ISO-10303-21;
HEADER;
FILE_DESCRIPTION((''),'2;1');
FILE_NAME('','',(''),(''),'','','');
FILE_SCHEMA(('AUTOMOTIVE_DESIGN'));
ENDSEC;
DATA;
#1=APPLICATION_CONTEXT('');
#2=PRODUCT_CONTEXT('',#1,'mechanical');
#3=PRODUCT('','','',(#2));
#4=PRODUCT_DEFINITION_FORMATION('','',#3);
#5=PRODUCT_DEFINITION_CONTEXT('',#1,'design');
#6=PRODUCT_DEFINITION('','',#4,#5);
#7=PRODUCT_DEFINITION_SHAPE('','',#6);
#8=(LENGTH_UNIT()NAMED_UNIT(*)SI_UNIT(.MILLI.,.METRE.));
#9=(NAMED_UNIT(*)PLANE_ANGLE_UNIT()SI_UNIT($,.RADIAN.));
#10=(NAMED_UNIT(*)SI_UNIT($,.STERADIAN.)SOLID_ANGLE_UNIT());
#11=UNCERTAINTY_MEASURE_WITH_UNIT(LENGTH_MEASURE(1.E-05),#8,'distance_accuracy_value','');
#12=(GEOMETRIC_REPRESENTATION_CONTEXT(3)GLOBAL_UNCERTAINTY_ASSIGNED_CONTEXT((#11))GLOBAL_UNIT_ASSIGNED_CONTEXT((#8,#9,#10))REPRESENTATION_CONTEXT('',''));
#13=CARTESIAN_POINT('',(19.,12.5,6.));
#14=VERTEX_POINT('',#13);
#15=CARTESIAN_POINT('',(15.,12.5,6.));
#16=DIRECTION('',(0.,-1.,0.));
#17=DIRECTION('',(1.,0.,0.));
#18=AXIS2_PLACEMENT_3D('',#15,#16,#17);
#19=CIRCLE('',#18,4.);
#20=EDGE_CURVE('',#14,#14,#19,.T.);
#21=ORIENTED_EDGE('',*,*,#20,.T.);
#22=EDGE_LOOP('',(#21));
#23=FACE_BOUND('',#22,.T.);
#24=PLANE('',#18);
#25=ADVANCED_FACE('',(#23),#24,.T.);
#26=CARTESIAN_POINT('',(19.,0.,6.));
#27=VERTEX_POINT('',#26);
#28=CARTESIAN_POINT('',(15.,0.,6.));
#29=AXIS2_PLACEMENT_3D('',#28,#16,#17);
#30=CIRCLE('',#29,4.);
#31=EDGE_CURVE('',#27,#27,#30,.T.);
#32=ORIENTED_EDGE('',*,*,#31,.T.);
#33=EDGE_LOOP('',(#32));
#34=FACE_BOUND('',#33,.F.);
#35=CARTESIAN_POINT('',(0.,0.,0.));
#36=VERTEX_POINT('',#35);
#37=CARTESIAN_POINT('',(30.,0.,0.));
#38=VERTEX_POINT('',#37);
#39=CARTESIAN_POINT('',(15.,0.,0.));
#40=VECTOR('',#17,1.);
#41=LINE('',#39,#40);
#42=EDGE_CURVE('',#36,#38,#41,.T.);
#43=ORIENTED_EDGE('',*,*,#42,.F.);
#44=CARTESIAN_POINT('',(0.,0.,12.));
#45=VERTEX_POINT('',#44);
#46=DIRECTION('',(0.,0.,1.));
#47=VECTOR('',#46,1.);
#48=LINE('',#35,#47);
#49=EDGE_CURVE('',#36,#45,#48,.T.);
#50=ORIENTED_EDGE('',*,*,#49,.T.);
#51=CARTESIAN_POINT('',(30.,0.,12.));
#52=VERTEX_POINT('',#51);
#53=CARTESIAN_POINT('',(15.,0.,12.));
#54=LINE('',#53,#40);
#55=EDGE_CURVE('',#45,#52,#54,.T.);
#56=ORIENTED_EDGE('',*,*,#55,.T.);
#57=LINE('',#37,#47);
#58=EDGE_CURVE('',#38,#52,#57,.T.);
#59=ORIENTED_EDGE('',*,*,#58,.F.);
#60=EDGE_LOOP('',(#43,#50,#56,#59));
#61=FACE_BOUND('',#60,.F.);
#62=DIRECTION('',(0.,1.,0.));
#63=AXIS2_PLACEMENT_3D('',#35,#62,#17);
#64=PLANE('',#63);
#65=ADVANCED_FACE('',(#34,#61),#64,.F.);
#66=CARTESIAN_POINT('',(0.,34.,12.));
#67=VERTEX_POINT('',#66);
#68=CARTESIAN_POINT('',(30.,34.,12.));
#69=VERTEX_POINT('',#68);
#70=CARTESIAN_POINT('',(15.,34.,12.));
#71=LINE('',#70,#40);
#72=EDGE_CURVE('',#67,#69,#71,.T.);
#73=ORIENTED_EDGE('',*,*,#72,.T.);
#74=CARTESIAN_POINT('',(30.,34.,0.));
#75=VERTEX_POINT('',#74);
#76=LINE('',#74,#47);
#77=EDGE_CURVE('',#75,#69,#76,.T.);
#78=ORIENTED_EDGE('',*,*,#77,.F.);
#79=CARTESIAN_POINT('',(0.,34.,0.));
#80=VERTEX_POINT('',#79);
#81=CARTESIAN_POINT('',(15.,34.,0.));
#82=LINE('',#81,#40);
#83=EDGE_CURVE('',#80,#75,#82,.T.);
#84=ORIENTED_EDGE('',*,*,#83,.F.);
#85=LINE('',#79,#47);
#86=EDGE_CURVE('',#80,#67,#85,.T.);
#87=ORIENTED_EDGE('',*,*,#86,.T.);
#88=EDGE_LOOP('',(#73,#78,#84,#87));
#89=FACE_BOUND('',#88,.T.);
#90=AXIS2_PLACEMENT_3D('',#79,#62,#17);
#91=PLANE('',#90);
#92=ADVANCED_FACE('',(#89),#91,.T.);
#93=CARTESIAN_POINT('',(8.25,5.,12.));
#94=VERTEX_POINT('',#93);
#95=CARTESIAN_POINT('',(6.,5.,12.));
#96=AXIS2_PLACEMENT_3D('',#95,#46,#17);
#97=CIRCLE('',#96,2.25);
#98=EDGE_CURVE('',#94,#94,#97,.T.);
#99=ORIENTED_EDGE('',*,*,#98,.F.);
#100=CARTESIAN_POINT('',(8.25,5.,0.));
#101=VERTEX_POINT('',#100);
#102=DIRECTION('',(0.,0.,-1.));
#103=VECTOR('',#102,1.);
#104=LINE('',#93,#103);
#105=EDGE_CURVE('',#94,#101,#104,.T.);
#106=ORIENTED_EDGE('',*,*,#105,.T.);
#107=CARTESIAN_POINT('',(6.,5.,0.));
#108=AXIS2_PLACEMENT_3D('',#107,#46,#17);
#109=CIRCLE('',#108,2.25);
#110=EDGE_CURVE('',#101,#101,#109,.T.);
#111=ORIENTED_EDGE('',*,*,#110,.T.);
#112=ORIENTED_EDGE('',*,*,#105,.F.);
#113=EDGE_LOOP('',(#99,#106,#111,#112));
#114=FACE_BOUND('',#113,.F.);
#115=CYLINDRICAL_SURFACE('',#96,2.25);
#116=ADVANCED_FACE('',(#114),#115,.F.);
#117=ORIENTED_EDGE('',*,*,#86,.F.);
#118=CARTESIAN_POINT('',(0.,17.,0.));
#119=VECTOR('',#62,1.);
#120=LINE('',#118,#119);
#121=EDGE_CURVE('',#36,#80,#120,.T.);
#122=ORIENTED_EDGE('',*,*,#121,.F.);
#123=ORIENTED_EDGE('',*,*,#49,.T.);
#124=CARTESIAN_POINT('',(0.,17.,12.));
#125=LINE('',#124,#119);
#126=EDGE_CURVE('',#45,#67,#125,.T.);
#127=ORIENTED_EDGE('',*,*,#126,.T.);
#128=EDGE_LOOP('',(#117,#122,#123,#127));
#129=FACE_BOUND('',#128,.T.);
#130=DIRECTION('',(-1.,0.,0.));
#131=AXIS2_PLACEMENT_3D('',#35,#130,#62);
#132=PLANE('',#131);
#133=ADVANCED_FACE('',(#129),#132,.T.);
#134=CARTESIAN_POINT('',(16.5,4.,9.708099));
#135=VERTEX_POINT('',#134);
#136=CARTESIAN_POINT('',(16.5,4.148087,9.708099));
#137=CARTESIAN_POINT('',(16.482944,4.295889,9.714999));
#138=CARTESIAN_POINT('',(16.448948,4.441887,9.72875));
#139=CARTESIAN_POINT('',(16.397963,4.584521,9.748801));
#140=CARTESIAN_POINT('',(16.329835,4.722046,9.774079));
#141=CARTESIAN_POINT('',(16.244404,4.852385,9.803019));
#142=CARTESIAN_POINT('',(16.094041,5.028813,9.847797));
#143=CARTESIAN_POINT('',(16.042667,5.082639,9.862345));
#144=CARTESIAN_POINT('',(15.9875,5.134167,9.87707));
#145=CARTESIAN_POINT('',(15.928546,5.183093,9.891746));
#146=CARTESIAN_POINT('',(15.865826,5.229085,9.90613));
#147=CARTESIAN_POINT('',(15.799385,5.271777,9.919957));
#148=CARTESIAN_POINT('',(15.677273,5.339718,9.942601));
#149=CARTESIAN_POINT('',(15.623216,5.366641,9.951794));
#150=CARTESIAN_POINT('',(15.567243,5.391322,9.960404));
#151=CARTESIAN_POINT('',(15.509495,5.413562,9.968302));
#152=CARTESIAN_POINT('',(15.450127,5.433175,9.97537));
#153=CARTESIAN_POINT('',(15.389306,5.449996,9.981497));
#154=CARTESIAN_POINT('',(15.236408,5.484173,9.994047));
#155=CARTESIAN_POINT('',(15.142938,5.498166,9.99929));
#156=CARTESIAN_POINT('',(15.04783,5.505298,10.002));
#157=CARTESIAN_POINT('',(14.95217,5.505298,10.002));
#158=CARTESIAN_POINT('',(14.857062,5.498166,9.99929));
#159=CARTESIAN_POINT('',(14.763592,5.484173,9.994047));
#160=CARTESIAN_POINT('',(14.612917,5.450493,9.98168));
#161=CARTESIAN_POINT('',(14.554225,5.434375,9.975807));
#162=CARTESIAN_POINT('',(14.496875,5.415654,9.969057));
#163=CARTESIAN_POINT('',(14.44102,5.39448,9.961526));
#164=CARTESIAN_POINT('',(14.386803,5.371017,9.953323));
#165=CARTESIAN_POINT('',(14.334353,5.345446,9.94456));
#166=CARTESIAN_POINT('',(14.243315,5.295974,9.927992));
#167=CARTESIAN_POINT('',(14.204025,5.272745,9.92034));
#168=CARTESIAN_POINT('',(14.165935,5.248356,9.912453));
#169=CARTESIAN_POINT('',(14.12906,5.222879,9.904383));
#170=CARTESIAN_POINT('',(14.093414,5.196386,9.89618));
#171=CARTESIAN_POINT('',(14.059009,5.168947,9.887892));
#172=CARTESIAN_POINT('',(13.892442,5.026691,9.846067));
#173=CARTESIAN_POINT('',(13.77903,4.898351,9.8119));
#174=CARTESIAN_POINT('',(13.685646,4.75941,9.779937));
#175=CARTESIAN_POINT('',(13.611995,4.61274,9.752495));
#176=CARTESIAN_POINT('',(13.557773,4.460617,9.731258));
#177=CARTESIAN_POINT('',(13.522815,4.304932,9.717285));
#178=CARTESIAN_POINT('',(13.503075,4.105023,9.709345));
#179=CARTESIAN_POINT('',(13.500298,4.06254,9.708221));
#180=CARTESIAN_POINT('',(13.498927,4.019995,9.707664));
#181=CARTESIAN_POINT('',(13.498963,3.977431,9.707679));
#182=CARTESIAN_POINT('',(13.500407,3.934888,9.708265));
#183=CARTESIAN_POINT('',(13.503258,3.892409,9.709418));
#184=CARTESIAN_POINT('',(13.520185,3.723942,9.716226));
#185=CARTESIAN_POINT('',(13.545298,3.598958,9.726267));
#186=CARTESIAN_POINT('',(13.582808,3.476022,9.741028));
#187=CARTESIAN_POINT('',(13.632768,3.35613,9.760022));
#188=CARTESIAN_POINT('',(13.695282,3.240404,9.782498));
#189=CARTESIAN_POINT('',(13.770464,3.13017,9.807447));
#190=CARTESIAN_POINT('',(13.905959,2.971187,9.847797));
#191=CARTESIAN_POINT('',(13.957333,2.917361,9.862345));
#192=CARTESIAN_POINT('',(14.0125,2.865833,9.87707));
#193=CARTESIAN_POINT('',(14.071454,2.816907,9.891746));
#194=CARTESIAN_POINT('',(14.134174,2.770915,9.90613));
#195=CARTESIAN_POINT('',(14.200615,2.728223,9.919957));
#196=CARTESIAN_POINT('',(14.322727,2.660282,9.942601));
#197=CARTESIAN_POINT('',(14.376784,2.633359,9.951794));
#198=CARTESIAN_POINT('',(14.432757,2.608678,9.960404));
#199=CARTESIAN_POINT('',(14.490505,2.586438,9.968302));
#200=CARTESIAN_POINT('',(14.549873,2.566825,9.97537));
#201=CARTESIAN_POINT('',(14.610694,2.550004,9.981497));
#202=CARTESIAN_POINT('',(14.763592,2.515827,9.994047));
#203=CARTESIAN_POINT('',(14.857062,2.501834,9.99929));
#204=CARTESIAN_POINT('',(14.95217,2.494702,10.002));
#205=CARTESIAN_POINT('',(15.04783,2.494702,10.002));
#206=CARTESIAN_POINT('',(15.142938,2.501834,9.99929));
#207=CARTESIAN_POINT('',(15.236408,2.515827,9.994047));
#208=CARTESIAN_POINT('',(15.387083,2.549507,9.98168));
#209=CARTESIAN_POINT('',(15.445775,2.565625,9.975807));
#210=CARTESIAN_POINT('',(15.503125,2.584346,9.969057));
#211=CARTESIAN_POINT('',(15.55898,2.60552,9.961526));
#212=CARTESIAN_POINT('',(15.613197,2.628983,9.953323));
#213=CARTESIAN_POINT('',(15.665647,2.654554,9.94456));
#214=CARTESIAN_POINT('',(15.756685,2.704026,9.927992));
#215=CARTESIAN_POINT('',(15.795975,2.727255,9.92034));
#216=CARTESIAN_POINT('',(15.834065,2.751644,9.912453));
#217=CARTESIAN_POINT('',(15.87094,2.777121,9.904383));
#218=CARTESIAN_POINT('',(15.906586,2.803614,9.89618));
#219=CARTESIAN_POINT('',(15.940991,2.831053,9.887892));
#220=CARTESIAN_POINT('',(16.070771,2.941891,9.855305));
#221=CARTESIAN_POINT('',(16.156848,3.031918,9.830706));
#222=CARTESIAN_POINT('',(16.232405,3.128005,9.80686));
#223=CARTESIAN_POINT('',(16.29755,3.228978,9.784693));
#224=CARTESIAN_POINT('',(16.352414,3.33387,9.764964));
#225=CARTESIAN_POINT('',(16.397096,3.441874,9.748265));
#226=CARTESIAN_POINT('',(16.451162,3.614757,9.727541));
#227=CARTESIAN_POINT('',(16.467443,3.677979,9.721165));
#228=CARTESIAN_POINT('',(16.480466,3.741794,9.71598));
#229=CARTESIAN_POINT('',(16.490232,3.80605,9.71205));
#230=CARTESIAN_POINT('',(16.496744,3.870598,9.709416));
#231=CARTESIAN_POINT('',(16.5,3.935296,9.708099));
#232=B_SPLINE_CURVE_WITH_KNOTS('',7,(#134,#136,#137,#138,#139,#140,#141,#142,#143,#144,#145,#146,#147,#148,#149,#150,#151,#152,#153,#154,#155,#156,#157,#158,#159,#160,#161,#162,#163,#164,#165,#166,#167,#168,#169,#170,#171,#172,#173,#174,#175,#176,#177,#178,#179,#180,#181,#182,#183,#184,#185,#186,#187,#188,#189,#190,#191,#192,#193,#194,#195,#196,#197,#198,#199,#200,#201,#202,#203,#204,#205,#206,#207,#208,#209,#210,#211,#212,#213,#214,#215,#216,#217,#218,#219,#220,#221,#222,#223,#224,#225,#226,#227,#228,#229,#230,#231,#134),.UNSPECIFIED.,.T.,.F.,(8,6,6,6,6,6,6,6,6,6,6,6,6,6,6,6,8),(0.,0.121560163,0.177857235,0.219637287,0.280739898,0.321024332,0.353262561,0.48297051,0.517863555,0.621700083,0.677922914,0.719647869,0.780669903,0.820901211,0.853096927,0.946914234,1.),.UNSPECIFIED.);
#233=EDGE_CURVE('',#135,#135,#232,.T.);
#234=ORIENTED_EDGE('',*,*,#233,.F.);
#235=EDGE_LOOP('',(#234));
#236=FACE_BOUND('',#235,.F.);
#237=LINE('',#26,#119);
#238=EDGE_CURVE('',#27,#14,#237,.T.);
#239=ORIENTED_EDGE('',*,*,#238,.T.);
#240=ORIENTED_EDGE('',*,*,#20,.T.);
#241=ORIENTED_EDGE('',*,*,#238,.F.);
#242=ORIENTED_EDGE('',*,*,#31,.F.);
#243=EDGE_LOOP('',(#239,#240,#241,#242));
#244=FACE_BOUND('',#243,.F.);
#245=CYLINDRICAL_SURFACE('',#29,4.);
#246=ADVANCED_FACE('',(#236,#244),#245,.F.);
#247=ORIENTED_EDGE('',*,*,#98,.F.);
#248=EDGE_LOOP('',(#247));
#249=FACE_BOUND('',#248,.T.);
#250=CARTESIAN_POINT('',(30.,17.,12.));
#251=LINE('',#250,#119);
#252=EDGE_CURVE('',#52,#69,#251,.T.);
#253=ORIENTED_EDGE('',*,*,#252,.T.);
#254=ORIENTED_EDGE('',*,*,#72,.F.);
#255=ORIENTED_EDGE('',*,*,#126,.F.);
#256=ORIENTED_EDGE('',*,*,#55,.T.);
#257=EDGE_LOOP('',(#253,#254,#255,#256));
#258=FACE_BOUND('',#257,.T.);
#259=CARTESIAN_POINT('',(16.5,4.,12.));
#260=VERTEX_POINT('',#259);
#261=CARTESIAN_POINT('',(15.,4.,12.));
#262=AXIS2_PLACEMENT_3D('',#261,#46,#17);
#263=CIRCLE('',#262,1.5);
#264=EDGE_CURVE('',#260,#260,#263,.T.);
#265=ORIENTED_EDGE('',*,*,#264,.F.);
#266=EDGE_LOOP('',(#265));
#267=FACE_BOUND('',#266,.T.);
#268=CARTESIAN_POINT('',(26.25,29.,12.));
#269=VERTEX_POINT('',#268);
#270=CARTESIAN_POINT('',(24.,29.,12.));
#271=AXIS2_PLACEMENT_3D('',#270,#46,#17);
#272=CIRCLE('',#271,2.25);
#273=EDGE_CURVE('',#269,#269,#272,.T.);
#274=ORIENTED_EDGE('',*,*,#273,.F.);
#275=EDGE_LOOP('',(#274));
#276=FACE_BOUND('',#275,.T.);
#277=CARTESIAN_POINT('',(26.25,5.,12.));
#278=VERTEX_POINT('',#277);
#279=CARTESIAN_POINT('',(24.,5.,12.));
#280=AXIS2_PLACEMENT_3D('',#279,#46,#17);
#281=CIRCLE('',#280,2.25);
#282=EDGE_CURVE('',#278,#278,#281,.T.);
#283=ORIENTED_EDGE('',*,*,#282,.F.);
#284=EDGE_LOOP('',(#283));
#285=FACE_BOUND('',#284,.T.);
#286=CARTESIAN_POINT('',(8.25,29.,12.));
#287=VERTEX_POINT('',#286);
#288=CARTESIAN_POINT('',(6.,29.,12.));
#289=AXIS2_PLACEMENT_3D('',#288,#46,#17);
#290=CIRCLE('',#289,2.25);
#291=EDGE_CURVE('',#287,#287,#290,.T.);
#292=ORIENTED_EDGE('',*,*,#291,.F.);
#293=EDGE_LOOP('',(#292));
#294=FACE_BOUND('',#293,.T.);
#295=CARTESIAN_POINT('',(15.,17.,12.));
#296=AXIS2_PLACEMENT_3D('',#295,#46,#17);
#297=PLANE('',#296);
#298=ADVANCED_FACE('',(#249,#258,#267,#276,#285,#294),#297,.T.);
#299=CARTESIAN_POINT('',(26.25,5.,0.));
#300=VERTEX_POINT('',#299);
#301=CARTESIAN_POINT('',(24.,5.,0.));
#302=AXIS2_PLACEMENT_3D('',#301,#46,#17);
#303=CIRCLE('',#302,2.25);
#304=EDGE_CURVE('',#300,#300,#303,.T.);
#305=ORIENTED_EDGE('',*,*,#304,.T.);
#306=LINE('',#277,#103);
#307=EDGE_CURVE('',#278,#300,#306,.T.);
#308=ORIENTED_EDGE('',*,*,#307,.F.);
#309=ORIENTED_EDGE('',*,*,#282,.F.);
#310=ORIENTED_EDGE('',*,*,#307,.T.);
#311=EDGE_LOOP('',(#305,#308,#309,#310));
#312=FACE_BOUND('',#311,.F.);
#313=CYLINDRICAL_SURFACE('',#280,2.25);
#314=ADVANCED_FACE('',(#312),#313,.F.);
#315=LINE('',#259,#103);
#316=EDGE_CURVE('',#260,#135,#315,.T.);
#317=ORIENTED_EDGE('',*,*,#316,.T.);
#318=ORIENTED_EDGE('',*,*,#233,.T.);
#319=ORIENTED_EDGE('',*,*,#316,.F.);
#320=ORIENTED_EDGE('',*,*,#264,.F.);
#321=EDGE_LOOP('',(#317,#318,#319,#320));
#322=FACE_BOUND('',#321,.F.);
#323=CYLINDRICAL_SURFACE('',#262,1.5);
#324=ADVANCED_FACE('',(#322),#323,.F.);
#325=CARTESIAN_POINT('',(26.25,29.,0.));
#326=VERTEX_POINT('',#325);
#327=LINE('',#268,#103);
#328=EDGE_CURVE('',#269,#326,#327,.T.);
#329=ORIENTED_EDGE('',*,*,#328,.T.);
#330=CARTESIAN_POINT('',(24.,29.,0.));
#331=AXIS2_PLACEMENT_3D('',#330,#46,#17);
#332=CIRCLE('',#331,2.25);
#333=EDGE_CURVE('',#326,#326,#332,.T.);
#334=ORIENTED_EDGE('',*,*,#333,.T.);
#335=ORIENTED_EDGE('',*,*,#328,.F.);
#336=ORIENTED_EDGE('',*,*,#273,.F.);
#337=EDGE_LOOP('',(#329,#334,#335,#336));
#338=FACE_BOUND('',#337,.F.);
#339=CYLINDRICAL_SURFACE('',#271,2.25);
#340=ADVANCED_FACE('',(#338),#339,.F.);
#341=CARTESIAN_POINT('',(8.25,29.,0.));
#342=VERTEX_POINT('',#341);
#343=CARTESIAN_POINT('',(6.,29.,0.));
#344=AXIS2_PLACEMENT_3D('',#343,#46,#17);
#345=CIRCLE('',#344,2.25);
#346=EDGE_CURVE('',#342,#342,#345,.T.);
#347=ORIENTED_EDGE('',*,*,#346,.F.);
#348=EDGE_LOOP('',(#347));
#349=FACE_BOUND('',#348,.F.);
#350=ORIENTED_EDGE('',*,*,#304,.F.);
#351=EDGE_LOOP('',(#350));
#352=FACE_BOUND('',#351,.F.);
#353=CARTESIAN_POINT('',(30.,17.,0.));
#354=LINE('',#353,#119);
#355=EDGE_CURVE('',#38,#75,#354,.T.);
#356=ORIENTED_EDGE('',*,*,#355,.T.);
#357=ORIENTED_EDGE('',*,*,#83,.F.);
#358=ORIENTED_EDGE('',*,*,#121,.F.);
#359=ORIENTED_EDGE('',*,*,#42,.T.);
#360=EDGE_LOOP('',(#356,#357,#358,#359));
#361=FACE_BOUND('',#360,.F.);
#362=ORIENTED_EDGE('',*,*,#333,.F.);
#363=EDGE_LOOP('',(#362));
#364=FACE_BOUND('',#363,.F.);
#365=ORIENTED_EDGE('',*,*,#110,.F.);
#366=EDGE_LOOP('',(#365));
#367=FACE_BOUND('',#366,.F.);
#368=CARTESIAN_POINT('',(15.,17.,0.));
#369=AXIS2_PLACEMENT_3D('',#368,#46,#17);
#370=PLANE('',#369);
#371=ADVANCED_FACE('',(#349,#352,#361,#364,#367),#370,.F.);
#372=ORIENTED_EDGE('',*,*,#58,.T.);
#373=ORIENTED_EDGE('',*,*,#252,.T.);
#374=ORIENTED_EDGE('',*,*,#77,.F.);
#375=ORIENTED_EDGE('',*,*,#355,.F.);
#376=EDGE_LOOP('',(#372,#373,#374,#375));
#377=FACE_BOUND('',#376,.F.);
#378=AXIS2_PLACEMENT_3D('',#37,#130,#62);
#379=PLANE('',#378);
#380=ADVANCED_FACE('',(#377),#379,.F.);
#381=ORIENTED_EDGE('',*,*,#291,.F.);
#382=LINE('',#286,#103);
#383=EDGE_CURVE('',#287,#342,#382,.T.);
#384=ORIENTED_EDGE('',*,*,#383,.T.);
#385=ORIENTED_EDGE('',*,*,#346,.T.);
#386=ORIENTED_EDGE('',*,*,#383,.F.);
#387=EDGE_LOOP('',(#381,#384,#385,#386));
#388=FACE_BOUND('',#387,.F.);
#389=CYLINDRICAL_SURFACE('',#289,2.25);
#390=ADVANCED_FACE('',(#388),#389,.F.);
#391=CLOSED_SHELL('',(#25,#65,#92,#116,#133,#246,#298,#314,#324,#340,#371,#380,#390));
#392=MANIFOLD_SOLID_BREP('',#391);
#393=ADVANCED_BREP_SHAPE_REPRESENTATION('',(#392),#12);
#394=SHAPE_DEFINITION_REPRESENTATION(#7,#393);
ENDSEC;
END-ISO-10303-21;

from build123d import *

# Parameters (mm, degrees)
F0_W     = 30
F0_H     = 34
F1_DEPTH = 12
F2_R     = 2.25
F3_DEPTH = 12.001
F4_R     = 4
F5_DEPTH = 12.5
F6_R     = 1.5
F7_DEPTH = 6


with BuildPart() as f1:
    # F0 (on Top) → F1 (new body)
    with BuildSketch(Plane.XY):
        with Locations((15, 17)):
            Rectangle(F0_W, F0_H)
    extrude(amount=F1_DEPTH)

    # F2 (on face) → F3 (cut, through all)
    with BuildSketch(Plane.XY.offset(12)):
        with Locations((6, 29)):
            Circle(F2_R)
        with Locations((24, 29)):
            Circle(F2_R)
        with Locations((24, 5)):
            Circle(F2_R)
        with Locations((6, 5)):
            Circle(F2_R)
    extrude(amount=-F3_DEPTH, mode=Mode.SUBTRACT)

    # F4 (on face) → F5 (cut)
    with BuildSketch(Plane.XZ):
        with Locations((15, 6)):
            Circle(F4_R)
    extrude(amount=-F5_DEPTH, mode=Mode.SUBTRACT)

    # F6 (on face) → F7 (cut)
    with BuildSketch(Plane.XY.offset(12)):
        with Locations((15, 4)):
            Circle(F6_R)
    extrude(amount=-F7_DEPTH, mode=Mode.SUBTRACT)


solid = f1.part
